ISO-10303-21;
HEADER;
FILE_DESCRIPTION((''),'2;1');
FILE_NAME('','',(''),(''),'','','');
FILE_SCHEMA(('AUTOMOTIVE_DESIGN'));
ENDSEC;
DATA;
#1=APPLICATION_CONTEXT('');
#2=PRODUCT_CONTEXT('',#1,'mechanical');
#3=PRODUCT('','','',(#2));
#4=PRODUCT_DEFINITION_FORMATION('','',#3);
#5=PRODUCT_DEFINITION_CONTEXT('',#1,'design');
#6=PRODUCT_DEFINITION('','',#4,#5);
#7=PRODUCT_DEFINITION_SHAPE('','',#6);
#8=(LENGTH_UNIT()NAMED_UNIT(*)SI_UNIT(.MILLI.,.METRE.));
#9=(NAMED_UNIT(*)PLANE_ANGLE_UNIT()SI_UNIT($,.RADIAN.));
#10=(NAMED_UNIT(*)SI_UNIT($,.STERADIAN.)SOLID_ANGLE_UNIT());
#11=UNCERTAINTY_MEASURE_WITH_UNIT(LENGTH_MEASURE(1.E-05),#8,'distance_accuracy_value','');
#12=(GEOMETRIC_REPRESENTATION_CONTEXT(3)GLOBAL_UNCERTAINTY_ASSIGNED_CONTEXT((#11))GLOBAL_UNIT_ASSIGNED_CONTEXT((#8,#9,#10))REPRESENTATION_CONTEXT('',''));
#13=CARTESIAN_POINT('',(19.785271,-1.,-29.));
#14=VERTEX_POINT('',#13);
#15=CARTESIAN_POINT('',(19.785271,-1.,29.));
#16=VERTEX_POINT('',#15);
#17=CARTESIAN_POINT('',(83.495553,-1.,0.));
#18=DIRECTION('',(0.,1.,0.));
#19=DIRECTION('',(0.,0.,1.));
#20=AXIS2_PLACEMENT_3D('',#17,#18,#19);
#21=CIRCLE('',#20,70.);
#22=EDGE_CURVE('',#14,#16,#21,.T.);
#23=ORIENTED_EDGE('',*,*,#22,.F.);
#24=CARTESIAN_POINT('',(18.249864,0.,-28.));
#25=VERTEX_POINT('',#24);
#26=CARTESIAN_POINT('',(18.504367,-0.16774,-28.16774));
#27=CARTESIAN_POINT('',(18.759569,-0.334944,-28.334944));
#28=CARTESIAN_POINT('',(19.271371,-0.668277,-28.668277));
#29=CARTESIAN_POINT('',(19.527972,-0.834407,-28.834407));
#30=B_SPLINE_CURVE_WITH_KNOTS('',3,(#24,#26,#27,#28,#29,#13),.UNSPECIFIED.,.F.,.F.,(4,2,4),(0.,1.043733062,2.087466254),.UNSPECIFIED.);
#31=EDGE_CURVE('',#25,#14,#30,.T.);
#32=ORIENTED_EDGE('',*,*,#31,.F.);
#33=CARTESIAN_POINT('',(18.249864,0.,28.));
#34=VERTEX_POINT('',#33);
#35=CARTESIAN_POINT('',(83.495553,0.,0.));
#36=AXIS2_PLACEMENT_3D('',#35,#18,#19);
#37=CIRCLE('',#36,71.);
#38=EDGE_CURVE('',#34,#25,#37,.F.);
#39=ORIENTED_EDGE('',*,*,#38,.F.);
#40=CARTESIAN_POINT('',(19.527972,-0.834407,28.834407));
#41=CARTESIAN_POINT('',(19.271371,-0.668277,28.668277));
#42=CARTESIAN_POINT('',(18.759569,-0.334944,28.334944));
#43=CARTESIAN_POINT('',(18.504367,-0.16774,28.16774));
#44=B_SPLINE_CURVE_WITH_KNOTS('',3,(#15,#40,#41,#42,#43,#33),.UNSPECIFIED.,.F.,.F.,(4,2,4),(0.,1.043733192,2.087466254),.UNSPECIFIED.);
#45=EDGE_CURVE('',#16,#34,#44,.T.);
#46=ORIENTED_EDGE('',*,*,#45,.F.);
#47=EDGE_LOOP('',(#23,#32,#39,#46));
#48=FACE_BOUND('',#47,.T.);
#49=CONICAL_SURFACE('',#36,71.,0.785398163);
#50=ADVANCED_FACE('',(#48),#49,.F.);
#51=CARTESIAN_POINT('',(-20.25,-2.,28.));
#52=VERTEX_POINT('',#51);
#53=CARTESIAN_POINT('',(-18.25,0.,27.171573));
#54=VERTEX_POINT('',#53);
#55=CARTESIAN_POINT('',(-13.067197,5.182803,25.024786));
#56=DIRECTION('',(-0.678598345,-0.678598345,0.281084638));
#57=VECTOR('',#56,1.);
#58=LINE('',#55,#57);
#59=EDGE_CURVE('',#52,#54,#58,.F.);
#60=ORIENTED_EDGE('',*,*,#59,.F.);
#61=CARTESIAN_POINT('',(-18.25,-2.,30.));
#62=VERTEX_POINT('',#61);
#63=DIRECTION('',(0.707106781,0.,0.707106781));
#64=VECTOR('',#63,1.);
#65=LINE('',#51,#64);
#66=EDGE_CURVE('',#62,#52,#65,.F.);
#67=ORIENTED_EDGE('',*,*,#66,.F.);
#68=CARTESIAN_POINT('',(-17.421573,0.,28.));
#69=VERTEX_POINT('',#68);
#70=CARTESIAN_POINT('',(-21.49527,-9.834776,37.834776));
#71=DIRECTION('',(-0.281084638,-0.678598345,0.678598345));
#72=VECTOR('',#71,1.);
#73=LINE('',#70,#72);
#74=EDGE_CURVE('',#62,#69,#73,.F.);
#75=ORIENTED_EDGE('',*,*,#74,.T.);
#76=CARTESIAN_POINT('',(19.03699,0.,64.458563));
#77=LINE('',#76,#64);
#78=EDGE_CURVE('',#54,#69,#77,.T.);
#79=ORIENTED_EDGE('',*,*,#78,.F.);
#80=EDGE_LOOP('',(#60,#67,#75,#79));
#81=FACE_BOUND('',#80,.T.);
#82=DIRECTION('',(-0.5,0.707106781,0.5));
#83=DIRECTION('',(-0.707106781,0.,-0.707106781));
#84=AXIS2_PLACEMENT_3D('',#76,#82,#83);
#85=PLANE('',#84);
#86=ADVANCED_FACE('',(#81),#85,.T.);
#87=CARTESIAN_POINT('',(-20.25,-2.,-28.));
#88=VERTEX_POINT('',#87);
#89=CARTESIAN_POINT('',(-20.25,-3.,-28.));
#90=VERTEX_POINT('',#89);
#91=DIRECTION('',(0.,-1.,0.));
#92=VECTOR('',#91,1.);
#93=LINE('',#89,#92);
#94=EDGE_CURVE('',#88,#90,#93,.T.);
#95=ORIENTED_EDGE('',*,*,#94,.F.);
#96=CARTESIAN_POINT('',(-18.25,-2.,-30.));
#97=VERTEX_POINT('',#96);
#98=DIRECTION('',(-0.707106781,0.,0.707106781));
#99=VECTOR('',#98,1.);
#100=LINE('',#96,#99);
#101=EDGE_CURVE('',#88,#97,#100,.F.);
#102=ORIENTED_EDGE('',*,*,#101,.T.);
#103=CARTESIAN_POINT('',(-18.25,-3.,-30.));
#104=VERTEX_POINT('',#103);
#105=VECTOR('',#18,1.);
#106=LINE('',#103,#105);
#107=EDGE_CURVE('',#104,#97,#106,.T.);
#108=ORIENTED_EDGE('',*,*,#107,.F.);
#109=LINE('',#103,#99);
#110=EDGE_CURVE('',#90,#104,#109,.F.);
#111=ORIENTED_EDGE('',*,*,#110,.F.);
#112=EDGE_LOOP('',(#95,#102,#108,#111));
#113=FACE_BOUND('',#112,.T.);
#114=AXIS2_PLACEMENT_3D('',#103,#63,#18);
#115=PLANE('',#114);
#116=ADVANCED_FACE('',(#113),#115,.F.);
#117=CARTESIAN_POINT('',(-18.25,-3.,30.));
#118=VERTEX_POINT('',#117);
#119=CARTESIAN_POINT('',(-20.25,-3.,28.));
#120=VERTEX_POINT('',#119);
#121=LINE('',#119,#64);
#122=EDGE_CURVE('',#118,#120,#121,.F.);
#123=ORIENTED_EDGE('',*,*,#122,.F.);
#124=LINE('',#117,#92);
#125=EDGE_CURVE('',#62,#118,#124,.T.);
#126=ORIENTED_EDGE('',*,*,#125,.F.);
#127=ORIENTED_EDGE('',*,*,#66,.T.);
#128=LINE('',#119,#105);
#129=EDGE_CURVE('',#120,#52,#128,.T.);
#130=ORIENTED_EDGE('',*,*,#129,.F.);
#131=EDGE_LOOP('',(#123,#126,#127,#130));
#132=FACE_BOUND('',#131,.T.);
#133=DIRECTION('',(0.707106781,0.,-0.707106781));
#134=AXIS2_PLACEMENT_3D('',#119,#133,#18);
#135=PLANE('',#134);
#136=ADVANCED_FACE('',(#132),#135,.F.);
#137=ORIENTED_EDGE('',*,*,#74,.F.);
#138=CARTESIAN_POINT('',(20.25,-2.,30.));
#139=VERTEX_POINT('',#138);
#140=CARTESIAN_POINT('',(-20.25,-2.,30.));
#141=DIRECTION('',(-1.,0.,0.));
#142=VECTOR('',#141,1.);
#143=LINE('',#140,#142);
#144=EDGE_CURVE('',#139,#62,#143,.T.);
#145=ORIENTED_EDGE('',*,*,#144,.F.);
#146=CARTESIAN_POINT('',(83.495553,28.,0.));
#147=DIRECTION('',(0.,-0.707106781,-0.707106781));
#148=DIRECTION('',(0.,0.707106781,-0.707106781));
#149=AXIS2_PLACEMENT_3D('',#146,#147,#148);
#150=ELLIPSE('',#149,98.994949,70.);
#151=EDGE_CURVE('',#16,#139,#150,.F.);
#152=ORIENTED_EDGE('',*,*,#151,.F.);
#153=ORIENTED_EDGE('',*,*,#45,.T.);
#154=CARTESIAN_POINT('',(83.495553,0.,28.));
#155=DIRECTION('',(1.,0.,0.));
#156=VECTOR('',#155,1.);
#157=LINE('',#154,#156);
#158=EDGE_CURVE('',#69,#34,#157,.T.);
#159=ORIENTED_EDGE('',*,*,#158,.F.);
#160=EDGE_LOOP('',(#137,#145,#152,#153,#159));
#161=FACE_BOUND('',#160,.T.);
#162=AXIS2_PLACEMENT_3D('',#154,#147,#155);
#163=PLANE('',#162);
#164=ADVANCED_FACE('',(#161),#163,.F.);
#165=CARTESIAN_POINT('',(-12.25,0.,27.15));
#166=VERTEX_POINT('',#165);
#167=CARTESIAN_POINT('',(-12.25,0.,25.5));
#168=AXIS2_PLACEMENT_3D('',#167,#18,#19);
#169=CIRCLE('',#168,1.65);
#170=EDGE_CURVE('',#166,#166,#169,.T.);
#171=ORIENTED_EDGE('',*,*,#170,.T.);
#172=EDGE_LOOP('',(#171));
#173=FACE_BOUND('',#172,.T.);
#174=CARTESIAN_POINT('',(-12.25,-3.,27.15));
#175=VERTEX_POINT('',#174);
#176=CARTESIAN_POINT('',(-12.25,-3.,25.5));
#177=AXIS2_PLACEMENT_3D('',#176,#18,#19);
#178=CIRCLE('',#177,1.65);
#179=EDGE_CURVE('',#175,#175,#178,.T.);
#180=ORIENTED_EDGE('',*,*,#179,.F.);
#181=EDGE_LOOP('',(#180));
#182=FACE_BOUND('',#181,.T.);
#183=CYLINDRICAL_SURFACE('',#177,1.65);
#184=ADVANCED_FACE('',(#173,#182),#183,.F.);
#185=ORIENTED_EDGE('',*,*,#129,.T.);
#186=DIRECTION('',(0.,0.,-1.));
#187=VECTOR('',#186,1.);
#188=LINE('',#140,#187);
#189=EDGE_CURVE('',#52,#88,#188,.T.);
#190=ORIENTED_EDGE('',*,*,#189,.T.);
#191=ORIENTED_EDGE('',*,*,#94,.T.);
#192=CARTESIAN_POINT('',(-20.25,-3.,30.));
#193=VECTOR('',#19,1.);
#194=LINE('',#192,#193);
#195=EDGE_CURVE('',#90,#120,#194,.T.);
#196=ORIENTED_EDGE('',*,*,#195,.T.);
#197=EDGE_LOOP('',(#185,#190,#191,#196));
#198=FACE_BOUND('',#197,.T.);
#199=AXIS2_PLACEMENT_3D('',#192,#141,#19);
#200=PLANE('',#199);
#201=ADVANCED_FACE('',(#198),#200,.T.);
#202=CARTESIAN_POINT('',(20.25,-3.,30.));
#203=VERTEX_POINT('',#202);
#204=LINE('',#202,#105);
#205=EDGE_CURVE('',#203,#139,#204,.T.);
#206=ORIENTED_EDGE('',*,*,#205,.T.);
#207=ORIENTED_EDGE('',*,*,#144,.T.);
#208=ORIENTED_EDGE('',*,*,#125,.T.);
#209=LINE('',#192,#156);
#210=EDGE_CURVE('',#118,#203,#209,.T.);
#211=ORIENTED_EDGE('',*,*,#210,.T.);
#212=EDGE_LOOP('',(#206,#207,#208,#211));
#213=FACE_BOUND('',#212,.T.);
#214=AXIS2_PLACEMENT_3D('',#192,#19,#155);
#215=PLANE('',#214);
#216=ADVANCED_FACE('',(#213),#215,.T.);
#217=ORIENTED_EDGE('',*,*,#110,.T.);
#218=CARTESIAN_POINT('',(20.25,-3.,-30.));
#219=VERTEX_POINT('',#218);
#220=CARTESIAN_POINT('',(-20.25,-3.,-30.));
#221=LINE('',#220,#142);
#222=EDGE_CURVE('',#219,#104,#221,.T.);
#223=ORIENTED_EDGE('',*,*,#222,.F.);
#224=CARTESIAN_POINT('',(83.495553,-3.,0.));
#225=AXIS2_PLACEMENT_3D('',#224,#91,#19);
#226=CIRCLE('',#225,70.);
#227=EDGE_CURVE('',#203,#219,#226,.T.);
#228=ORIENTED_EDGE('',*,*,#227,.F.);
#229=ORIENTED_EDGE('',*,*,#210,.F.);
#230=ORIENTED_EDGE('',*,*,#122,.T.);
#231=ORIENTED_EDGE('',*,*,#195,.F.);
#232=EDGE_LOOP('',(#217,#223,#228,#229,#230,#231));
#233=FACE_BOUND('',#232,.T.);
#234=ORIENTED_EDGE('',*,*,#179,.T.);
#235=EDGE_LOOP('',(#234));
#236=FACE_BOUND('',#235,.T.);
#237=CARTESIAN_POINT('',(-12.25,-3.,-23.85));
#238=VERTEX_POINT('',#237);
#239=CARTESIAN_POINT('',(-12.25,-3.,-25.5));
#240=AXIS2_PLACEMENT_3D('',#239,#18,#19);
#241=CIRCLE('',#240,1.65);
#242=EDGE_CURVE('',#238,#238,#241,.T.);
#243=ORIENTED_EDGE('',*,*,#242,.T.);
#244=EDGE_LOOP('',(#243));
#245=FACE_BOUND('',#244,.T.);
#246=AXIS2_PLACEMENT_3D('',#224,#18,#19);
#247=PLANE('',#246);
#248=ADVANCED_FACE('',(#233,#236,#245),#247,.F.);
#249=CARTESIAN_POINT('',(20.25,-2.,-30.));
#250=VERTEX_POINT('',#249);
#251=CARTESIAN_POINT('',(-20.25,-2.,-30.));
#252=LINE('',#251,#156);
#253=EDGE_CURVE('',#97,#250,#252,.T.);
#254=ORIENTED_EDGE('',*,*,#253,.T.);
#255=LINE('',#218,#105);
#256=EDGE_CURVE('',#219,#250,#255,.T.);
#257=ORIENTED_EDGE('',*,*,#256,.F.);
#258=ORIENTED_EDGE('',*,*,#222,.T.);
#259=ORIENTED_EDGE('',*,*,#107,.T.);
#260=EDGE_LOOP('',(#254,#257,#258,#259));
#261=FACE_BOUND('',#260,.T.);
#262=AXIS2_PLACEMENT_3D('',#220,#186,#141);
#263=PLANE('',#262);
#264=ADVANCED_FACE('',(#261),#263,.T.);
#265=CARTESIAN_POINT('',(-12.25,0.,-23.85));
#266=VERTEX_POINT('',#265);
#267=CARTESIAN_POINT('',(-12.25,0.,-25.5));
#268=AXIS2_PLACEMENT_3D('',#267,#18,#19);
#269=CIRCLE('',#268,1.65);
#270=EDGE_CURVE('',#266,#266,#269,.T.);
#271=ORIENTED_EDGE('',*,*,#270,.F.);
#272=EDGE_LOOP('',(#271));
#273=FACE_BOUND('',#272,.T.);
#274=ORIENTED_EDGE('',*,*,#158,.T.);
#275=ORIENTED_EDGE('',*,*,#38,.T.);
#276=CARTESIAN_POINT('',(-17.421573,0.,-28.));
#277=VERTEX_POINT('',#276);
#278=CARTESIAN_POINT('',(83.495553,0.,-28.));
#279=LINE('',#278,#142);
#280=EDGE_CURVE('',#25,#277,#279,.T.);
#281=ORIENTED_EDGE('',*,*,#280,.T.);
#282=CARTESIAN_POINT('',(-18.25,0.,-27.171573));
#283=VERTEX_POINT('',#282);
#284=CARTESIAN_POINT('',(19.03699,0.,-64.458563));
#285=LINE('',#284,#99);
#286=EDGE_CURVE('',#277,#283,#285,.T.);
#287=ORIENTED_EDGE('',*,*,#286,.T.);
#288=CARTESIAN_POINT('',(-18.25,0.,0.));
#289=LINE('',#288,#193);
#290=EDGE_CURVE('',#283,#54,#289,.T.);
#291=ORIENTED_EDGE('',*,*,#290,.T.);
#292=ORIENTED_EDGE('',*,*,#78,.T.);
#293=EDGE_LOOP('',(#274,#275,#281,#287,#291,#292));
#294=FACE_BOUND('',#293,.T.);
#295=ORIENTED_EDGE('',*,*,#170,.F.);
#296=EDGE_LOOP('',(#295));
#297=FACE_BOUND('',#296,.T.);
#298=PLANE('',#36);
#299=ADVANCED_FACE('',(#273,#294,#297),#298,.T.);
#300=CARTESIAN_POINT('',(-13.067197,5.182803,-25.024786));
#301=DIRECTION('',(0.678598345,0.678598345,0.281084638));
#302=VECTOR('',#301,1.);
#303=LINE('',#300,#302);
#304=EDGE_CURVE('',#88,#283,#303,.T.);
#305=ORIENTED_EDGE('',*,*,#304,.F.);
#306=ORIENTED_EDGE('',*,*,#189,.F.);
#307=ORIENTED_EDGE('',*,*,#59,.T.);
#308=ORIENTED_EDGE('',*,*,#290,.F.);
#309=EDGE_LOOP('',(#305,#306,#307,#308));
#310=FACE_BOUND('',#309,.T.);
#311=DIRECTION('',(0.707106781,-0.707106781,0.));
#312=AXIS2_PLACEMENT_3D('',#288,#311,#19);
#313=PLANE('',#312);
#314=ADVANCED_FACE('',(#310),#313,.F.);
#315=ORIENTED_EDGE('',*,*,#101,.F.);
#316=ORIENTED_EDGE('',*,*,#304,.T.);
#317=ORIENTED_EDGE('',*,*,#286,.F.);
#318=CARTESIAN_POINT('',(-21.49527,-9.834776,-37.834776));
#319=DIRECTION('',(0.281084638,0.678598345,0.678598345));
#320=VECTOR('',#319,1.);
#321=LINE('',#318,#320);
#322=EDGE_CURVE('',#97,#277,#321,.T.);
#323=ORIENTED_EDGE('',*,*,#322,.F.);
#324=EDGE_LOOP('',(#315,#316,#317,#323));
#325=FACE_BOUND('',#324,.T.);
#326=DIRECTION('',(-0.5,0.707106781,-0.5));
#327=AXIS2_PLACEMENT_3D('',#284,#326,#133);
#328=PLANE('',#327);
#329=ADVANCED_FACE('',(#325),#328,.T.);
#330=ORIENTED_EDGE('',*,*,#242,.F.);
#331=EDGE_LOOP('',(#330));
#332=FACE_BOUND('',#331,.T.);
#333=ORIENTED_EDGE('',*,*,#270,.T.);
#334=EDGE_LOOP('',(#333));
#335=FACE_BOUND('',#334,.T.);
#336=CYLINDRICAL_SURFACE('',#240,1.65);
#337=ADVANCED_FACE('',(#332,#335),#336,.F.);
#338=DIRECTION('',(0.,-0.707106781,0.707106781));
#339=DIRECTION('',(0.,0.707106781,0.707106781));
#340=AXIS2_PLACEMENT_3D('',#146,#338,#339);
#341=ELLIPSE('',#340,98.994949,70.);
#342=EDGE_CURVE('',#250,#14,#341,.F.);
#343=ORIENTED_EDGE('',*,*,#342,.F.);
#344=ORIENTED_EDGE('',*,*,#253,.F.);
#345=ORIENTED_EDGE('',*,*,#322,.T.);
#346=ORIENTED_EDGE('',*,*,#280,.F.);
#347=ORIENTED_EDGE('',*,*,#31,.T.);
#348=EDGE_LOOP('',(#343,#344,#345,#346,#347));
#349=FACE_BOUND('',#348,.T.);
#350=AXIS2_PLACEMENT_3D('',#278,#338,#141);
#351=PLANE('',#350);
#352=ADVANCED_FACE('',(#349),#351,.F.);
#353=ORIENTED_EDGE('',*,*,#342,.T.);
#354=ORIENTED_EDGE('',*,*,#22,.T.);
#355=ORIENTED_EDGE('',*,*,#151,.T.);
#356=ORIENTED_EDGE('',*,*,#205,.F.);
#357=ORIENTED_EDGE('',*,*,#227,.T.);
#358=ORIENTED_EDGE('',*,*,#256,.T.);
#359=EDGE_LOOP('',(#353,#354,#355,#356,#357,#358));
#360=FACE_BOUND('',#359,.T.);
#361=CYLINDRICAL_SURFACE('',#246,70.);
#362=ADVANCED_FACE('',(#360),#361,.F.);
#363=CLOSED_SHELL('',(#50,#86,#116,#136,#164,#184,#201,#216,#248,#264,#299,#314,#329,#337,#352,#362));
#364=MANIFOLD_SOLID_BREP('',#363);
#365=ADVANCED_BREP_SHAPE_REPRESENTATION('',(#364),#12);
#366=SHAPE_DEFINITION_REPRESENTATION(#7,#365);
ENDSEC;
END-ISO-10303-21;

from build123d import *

# Parameters (mm, degrees)
ESQUISSE1_R        = 1.65
BOSS_EXTRU_1_DEPTH = 3
CHANFREIN1_SIZE    = 2
CHANFREIN3_SIZE    = 2
CHANFREIN4_SIZE    = 1


with BuildPart() as part:
    # Esquisse1 → Boss.-Extru.1 (new body)
    with BuildSketch(Plane(origin=(0, 0, 0), x_dir=(1, 0, 0), z_dir=(0, 1, 0))):
        with BuildLine():
            Line((-20.25, -30), (20.25, -30))
            ThreePointArc((20.25, -30), (13.495553203, 0), (20.25, 30))
            Line((20.25, 30), (-20.25, 30))
            Line((-20.25, 30), (-20.25, -30))
        make_face()
        with Locations(Location((-12.25, -25.5, 0), (0, 0, 270))):
            Circle(ESQUISSE1_R, mode=Mode.SUBTRACT)
        with Locations(Location((-12.25, 25.5, 0), (0, 0, 270))):
            Circle(ESQUISSE1_R, mode=Mode.SUBTRACT)
    extrude(amount=-BOSS_EXTRU_1_DEPTH)

    # Chanfrein1
    chanfrein1_edges = [part.edges().sort_by_distance(p)[0] for p in [
        (-20.25, -1.5, 30),
        (-20.25, -1.5, -30),
    ]]
    chamfer(chanfrein1_edges, length=CHANFREIN1_SIZE)

    # Chanfrein3
    chanfrein3_edges = [part.edges().sort_by_distance(p)[0] for p in [
        (-20.25, 0, 0),
        (1, 0, 30),
        (-19.25, 0, -29),
        (-19.25, 0, 29),
        (1, 0, -30),
    ]]
    chamfer(chanfrein3_edges, length=CHANFREIN3_SIZE)

    # Chanfrein4
    chanfrein4_edges = [part.edges().sort_by_distance(p)[0] for p in [
        (13.495553203, 0, 0),
    ]]
    chamfer(chanfrein4_edges, length=CHANFREIN4_SIZE)


solid = part.part
